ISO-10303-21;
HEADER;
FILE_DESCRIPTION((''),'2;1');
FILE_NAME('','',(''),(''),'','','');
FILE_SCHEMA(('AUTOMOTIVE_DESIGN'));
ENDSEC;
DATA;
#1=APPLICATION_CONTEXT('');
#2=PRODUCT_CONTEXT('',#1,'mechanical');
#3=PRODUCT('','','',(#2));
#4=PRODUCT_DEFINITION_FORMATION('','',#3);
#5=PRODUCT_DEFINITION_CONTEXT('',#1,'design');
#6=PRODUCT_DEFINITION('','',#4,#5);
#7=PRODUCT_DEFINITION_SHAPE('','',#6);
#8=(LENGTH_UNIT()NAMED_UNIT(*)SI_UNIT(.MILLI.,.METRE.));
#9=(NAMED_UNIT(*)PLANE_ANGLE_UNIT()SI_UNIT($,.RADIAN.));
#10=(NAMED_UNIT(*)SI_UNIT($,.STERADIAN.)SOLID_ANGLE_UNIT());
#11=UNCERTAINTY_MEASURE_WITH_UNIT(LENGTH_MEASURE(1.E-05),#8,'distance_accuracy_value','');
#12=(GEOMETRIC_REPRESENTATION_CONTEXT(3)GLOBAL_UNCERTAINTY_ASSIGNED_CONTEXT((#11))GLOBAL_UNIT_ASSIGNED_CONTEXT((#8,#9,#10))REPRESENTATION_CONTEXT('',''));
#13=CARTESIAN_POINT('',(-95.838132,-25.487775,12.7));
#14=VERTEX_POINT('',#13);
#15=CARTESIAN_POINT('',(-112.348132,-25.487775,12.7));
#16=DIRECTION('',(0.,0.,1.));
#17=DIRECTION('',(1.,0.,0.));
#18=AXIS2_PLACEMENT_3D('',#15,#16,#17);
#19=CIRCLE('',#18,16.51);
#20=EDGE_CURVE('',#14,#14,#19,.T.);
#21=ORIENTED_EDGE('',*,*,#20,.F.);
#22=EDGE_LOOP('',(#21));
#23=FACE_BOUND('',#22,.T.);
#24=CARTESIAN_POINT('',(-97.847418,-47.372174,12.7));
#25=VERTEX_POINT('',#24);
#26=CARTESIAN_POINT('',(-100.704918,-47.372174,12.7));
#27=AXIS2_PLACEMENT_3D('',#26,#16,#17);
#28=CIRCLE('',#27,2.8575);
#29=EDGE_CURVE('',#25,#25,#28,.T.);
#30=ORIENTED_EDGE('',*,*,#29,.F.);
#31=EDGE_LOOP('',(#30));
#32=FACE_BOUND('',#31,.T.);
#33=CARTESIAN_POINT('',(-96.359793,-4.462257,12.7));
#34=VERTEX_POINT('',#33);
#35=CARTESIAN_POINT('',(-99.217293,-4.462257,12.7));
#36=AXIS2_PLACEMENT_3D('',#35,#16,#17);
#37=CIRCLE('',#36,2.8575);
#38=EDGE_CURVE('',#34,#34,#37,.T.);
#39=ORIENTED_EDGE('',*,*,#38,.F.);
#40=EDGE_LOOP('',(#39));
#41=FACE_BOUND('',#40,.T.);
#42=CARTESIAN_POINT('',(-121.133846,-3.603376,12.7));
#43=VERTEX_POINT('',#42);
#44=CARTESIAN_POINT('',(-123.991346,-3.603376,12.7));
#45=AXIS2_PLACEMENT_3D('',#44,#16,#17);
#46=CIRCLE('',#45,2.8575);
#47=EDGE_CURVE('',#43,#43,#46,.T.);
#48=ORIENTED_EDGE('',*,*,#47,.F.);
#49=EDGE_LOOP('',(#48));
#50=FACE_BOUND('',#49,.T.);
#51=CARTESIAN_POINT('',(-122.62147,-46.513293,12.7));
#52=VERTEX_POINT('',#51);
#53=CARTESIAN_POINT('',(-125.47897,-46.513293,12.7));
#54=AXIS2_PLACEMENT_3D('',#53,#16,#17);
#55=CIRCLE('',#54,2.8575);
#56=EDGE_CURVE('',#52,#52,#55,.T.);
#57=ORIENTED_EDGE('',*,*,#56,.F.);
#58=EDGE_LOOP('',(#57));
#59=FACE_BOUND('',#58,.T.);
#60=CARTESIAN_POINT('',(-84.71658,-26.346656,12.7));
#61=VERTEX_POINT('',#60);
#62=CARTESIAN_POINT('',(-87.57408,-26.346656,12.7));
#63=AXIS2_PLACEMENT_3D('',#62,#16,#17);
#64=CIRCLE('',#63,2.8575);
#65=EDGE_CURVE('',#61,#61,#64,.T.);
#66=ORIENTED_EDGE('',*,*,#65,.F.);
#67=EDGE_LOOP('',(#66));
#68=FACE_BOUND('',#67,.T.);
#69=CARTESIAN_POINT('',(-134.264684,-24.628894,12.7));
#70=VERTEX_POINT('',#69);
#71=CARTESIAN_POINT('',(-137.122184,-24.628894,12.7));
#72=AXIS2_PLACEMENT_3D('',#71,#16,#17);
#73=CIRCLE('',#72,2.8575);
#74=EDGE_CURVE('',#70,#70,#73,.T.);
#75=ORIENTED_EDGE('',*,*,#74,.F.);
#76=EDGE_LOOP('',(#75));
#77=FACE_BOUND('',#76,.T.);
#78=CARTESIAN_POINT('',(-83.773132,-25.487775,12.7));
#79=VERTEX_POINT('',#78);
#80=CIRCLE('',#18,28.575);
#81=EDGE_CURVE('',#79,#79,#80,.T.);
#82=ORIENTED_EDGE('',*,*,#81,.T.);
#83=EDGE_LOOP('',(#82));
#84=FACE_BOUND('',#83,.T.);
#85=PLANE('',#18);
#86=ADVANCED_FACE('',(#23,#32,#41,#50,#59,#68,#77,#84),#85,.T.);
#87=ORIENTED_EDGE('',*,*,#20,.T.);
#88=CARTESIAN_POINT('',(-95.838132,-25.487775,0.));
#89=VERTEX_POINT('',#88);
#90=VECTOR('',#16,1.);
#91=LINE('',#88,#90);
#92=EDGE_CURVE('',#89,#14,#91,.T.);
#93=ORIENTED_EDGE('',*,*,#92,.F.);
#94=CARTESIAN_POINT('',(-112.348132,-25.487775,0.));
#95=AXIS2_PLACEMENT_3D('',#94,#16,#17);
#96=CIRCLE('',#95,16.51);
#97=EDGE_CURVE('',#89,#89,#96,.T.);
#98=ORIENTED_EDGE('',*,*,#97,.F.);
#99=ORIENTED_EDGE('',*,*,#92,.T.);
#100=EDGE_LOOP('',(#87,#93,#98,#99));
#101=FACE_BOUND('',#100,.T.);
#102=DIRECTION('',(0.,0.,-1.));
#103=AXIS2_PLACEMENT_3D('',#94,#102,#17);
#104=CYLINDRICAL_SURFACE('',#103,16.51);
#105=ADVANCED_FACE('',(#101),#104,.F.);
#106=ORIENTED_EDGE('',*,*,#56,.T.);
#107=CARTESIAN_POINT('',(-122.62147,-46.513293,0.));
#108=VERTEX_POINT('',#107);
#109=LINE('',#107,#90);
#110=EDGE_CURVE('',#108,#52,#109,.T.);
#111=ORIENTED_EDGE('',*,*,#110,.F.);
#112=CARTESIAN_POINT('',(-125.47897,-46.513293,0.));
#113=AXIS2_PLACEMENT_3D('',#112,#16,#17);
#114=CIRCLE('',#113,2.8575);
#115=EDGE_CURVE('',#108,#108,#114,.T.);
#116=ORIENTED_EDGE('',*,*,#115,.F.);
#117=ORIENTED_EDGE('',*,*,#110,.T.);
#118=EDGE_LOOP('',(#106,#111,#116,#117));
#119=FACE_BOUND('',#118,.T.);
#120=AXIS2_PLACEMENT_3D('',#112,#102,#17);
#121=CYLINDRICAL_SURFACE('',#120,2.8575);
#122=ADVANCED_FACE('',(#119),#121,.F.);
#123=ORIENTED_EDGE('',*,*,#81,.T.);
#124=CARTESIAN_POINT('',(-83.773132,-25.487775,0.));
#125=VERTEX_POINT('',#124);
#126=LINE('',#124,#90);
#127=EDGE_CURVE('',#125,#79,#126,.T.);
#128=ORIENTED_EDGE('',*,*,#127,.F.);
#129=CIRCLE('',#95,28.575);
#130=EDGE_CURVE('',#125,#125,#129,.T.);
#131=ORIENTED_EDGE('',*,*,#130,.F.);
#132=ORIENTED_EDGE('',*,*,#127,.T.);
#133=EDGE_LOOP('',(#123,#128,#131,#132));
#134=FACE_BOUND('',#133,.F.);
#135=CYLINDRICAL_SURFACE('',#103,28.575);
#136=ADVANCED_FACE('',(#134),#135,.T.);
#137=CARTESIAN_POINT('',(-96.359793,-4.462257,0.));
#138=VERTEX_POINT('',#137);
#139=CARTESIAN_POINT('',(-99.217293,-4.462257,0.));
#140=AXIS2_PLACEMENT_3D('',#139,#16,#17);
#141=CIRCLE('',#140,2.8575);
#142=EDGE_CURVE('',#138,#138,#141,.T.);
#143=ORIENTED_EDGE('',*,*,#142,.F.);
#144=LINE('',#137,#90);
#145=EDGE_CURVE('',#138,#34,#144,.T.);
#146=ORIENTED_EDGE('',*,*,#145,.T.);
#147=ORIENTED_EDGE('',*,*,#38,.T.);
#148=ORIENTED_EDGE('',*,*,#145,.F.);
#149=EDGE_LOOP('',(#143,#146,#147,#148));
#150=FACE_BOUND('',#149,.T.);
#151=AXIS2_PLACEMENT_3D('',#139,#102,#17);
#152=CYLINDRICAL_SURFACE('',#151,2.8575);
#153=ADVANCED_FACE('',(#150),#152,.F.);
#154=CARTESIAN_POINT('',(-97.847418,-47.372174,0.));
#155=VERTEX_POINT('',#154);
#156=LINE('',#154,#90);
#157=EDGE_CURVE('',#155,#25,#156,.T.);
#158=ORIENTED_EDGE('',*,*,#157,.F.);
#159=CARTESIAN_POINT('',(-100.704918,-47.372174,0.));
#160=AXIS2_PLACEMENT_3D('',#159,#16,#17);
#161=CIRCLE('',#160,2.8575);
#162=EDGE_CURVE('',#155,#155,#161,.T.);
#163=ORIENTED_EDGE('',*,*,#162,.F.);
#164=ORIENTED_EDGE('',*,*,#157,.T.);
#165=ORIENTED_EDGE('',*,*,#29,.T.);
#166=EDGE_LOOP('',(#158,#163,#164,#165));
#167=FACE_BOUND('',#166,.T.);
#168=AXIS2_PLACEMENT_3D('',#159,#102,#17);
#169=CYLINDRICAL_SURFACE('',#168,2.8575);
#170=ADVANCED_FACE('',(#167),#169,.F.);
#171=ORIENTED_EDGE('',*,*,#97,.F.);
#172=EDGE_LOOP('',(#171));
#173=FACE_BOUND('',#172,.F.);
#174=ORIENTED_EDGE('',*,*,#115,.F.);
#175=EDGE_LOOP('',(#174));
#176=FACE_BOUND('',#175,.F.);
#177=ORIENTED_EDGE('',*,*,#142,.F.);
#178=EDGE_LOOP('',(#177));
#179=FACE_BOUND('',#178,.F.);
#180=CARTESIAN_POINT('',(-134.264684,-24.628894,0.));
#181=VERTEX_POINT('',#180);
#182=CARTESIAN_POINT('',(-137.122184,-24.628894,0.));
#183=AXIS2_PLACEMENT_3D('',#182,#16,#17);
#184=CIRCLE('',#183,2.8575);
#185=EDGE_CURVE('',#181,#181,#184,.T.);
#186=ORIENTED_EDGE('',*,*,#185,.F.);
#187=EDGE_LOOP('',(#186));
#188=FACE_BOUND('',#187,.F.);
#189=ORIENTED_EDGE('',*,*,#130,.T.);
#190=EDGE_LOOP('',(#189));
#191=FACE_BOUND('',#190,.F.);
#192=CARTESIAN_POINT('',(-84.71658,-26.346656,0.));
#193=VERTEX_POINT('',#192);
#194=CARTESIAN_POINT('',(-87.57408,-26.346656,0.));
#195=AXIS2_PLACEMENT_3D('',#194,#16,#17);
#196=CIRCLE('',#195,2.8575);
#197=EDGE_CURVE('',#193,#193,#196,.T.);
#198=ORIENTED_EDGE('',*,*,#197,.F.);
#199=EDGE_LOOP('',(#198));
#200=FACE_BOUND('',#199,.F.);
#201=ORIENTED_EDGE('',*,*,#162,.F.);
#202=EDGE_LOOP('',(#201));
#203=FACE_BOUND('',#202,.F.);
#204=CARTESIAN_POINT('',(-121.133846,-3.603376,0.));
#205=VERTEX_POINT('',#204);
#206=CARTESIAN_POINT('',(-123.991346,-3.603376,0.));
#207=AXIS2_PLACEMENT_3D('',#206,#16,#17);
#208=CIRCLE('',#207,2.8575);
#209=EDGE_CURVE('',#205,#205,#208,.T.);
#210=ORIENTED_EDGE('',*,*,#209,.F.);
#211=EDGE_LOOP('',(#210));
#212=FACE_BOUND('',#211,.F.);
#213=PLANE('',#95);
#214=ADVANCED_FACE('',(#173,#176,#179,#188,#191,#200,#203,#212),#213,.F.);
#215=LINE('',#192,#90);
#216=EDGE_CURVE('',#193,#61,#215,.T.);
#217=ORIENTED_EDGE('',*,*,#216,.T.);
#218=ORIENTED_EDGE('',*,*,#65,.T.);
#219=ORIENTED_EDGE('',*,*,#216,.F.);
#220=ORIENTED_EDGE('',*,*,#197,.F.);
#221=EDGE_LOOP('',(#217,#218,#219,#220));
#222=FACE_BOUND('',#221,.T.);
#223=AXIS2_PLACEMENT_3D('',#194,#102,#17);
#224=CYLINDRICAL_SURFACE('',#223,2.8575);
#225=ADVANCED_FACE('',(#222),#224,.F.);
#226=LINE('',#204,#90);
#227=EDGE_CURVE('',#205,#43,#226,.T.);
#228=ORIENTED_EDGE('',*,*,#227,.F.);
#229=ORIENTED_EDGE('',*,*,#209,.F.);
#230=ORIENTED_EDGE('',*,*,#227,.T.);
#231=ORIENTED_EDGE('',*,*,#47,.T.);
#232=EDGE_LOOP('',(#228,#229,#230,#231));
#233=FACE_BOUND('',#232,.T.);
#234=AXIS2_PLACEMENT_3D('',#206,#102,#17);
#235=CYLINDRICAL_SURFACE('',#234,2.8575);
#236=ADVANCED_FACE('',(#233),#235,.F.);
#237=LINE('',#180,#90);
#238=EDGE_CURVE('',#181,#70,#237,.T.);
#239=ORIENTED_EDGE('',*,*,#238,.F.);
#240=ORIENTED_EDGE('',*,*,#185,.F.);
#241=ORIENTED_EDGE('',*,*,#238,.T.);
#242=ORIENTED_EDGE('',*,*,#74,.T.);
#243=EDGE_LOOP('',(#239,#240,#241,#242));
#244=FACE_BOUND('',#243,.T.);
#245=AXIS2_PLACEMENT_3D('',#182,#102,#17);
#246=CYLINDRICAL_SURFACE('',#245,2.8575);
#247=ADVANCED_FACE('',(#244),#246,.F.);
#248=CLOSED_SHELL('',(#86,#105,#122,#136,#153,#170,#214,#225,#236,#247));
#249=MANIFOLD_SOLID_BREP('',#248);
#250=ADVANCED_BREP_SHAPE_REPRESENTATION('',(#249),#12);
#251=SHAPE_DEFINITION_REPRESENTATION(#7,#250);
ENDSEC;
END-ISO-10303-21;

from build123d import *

# Parameters (mm, degrees)
F0_R     = 28.575
F0_R_2   = 2.8575
F0_R_3   = 16.51
F1_DEPTH = 12.7


with BuildPart() as f1:
    # F0 (on Top) → F1 (new body)
    with BuildSketch(Plane.XY):
        with Locations((-112.348132, -25.487775)):
            Circle(F0_R)
        with Locations((-125.47897, -46.513293)):
            Circle(F0_R_2, mode=Mode.SUBTRACT)
        with Locations((-100.704918, -47.372174)):
            Circle(F0_R_2, mode=Mode.SUBTRACT)
        with Locations((-87.57408, -26.346656)):
            Circle(F0_R_2, mode=Mode.SUBTRACT)
        with Locations((-137.122184, -24.628894)):
            Circle(F0_R_2, mode=Mode.SUBTRACT)
        with Locations((-123.991346, -3.603376)):
            Circle(F0_R_2, mode=Mode.SUBTRACT)
        with Locations((-112.348132, -25.487775)):
            Circle(F0_R_3, mode=Mode.SUBTRACT)
        with Locations((-99.217293, -4.462257)):
            Circle(F0_R_2, mode=Mode.SUBTRACT)
    extrude(amount=F1_DEPTH)


solid = f1.part
